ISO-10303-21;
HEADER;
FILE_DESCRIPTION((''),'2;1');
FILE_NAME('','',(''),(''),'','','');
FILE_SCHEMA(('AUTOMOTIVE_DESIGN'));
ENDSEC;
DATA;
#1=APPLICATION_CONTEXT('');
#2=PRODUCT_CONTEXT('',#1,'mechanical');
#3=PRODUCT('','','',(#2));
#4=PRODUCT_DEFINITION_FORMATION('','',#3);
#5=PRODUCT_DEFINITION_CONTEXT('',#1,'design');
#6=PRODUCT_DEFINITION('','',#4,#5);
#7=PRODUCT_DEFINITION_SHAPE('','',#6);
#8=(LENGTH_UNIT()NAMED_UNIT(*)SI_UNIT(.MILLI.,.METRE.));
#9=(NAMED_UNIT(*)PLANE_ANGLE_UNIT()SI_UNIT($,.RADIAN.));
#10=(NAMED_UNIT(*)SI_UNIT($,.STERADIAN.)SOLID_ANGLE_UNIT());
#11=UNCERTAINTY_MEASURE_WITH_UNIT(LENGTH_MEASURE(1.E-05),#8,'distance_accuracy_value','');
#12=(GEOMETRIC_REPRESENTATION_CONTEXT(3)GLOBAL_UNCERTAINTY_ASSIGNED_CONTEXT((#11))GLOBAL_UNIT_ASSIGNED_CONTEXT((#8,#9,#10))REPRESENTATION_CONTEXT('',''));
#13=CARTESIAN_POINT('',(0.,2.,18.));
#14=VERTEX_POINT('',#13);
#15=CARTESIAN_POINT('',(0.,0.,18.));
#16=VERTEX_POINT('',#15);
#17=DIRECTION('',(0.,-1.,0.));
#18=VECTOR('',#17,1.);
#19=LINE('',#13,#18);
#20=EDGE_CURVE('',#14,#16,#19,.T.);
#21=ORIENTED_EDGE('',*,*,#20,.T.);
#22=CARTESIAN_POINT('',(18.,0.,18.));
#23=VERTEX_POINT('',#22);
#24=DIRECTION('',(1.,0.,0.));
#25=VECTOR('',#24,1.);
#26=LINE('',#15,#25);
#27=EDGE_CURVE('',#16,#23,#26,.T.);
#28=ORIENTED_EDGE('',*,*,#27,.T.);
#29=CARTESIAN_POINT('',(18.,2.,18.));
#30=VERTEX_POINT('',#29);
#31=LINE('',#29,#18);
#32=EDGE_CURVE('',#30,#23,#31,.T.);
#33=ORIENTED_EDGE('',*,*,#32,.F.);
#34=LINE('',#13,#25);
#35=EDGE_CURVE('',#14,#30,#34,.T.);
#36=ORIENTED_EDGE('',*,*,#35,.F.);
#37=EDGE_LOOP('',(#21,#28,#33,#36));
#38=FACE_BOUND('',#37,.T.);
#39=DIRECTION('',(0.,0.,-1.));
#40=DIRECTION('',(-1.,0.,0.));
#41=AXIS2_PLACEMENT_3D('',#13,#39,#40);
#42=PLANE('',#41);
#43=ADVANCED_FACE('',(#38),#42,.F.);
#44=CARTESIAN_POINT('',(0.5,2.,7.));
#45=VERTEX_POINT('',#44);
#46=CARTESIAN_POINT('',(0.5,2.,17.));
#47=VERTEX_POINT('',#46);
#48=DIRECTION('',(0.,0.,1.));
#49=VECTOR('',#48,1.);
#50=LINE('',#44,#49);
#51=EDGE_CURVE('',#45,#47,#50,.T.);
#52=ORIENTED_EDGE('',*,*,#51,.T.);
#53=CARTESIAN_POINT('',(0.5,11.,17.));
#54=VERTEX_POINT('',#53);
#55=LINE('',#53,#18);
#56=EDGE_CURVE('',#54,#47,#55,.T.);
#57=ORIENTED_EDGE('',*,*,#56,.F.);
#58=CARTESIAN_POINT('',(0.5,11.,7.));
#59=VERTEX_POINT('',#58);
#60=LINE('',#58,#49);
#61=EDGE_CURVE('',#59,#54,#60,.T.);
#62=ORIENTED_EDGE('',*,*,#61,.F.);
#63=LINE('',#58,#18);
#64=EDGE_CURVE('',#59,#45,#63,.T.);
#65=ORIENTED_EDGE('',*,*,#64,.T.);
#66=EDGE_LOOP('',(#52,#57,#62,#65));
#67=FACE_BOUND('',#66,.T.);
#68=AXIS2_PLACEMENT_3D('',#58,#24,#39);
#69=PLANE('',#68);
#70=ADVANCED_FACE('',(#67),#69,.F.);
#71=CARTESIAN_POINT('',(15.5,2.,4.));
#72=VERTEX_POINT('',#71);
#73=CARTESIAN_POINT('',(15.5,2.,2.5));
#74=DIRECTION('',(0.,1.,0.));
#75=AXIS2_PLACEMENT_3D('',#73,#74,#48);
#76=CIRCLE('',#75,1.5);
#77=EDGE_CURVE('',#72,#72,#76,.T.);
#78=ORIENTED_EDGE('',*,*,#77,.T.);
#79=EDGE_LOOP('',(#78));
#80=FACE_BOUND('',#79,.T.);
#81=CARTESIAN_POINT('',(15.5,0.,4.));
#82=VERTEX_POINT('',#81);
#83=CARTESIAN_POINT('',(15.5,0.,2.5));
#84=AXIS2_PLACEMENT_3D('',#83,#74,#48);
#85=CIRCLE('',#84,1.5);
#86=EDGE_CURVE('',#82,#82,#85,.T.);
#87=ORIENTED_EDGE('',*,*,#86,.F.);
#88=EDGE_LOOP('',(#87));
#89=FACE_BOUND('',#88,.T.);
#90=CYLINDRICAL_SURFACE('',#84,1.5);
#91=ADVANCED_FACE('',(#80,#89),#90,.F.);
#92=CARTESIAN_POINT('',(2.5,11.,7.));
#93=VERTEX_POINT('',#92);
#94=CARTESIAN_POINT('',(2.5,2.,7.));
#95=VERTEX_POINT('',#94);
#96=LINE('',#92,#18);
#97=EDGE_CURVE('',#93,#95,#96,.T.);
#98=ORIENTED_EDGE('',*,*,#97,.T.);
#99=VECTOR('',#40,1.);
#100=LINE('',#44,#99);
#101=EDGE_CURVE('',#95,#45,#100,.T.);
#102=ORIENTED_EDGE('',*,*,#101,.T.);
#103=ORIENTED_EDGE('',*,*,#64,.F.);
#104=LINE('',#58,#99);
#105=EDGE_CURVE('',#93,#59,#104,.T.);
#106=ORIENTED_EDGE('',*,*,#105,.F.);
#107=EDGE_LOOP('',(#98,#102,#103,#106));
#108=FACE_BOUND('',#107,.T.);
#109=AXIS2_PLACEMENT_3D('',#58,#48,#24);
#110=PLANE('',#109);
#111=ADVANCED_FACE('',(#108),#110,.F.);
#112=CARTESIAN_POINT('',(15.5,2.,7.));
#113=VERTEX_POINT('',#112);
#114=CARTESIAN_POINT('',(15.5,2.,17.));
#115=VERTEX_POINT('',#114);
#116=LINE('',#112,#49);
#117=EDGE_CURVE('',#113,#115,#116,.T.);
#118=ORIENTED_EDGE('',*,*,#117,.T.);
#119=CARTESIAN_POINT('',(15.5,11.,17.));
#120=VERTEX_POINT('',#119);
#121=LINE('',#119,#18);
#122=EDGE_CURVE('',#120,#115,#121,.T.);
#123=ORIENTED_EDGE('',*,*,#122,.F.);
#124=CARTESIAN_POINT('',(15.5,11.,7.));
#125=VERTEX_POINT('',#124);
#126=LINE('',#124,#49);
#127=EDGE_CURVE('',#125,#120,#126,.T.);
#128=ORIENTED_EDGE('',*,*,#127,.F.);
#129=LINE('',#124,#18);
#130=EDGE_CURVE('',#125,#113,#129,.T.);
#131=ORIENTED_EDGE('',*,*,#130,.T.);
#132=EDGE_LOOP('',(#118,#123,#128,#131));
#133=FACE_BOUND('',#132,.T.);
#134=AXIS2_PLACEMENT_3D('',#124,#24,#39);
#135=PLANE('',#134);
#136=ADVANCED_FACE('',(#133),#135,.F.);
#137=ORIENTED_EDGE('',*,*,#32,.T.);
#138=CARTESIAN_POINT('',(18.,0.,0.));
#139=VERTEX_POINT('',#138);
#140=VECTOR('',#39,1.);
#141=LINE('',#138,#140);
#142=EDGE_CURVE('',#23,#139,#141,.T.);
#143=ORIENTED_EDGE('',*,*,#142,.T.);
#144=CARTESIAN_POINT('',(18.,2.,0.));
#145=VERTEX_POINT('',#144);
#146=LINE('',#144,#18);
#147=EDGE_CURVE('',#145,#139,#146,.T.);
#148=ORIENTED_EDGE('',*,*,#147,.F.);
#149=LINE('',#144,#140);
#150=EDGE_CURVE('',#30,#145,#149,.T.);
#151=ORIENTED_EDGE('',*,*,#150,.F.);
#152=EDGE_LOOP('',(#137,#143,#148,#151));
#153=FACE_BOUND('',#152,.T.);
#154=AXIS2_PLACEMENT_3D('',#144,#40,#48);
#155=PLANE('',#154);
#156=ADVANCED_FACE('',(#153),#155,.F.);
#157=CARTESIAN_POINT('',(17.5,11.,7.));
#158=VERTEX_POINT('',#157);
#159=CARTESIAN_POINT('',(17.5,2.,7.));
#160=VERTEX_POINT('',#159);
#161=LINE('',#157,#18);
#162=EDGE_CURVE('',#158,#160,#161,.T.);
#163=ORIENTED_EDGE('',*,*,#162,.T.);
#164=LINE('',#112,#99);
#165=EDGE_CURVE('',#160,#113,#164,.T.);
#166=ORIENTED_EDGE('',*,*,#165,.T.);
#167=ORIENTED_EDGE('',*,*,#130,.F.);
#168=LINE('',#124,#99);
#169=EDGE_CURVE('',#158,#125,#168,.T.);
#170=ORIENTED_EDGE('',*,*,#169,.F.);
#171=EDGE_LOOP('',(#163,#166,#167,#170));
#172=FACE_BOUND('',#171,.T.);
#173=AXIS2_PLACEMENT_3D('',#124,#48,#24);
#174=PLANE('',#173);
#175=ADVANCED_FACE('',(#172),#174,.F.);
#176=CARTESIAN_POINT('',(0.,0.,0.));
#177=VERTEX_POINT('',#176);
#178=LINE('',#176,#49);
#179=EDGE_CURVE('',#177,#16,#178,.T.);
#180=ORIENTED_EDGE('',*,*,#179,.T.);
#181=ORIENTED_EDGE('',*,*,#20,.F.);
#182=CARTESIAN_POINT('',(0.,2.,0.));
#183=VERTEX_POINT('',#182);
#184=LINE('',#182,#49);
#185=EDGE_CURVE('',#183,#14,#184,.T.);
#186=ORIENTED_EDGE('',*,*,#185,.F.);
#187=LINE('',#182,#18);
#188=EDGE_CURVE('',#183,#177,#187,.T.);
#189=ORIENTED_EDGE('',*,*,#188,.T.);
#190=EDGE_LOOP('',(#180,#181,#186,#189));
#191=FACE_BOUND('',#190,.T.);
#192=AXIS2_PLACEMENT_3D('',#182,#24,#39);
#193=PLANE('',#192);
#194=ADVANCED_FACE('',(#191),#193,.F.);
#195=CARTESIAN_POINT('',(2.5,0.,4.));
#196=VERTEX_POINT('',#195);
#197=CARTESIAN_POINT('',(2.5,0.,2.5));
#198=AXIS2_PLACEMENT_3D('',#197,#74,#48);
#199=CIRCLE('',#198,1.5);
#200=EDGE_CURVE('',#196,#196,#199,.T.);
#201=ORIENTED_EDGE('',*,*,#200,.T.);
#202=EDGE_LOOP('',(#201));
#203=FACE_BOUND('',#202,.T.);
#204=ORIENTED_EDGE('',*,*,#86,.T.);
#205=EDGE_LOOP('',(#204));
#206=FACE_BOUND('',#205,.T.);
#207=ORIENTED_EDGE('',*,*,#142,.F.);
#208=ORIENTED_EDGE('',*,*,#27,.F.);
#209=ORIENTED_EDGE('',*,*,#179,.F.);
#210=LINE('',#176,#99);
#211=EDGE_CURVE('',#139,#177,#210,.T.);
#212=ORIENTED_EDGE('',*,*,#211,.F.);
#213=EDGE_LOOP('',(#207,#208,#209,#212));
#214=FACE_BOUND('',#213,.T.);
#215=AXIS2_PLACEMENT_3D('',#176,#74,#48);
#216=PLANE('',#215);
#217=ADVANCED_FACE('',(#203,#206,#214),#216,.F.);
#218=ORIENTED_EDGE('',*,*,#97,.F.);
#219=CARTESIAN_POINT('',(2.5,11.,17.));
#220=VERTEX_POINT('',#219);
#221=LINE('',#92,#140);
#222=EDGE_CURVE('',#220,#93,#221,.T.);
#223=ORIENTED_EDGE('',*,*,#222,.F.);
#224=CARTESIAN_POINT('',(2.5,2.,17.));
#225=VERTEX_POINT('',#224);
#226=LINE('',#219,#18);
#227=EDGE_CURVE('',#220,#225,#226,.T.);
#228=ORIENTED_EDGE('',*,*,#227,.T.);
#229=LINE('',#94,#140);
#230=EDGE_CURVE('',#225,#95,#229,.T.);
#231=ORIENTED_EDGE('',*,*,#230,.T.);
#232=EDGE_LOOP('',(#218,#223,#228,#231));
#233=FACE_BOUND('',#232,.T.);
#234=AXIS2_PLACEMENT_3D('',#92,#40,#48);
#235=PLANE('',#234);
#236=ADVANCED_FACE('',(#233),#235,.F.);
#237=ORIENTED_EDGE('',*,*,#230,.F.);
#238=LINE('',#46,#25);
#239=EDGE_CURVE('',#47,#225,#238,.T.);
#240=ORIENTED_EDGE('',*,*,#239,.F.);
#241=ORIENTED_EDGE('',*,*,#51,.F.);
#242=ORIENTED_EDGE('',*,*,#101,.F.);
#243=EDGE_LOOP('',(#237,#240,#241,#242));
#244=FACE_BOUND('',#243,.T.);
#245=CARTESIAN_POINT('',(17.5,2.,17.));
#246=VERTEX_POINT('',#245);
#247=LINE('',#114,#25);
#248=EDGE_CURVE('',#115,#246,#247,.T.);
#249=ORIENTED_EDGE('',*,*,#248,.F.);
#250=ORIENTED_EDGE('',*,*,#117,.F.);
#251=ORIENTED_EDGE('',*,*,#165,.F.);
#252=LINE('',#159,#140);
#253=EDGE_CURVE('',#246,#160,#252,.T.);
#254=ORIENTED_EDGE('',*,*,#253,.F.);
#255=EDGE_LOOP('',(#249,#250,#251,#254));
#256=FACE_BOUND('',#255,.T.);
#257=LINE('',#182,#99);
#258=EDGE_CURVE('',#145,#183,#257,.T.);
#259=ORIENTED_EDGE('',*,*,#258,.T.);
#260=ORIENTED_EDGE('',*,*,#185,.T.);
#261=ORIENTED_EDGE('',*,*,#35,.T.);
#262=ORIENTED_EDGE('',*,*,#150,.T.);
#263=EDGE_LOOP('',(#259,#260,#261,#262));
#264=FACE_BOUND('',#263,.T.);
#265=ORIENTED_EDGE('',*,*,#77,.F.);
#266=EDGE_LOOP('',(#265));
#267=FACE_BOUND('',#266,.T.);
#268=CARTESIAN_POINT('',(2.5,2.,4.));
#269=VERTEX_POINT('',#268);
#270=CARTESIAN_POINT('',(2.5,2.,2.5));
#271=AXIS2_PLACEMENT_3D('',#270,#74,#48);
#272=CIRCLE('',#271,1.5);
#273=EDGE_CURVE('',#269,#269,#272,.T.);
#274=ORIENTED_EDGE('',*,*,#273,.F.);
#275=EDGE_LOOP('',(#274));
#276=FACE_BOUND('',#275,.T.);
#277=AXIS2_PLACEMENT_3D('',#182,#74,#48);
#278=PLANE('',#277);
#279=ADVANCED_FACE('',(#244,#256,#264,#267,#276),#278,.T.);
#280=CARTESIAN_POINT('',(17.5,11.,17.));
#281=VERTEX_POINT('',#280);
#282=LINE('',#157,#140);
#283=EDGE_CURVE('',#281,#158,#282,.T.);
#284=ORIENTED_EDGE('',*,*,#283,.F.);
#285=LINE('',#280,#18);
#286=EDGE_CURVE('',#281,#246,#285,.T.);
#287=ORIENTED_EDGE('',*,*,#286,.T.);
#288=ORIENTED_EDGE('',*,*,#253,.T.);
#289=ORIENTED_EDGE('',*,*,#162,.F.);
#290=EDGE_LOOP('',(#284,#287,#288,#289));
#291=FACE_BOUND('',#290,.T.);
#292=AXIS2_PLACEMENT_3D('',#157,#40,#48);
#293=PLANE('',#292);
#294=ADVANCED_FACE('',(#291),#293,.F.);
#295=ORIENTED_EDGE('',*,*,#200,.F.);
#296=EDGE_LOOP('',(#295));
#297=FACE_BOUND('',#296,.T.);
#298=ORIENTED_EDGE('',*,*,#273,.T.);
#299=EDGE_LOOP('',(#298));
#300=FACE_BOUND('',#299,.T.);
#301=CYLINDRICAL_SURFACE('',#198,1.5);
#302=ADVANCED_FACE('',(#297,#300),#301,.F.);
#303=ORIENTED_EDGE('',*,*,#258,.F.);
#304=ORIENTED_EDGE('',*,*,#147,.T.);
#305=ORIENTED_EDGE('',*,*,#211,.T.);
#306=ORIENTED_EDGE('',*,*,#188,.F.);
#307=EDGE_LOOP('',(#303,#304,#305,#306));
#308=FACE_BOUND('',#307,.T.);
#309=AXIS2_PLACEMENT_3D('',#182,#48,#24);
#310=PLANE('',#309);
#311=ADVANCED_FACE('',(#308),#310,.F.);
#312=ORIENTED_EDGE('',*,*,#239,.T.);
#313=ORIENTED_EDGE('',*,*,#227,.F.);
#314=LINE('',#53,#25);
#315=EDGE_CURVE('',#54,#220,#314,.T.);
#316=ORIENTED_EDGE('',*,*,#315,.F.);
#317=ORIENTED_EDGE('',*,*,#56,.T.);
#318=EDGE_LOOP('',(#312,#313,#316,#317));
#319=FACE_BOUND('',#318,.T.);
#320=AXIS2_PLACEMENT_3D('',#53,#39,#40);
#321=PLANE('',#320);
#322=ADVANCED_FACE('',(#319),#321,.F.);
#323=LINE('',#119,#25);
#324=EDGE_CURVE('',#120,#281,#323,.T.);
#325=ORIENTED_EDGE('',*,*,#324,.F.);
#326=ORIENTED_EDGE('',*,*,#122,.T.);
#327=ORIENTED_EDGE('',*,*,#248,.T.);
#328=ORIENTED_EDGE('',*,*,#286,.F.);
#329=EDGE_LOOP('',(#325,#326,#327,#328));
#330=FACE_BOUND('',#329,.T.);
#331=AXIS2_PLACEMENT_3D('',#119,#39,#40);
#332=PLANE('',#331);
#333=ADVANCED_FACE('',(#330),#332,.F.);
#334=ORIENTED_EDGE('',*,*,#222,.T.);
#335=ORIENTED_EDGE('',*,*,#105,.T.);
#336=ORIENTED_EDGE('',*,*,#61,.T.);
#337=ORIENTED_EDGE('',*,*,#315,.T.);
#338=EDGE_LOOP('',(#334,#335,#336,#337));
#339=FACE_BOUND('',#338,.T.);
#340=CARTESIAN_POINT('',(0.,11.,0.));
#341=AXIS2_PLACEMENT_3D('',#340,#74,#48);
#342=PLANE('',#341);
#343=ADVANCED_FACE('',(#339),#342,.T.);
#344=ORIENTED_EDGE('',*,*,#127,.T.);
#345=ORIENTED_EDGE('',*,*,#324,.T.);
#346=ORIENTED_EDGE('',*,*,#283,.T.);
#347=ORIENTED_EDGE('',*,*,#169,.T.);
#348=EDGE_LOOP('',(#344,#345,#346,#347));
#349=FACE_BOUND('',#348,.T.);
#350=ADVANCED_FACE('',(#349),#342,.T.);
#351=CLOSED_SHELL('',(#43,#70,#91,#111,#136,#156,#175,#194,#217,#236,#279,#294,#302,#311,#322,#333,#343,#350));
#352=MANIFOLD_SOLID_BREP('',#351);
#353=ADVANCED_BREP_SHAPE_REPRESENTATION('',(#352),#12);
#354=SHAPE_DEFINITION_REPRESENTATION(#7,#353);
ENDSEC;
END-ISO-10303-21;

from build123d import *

# Parameters (mm, degrees)
SKETCH1_W           = 18
SKETCH1_H           = 18
BOSS_EXTRUDE1_DEPTH = 2
SKETCH2_R           = 1.5
CUT_EXTRUDE1_DEPTH  = 2
SKETCH3_W           = 2
SKETCH3_H           = 10
BOSS_EXTRUDE2_DEPTH = 9


with BuildPart() as part:
    # Sketch1 → Boss-Extrude1 (new body)
    with BuildSketch(Plane(origin=(0, 0, 0), x_dir=(1, 0, 0), z_dir=(0, 1, 0))):
        with Locations((9, -9)):
            Rectangle(SKETCH1_W, SKETCH1_H)
    extrude(amount=BOSS_EXTRUDE1_DEPTH)

    # Sketch2 → Cut-Extrude1 (cut)
    with BuildSketch(Plane(origin=(0, 2, 0), x_dir=(1, 0, 0), z_dir=(0, 1, 0))):
        with Locations(Location((2.5, -2.5, 0), (0, 0, 270))):
            Circle(SKETCH2_R)
        with Locations(Location((15.5, -2.5, 0), (0, 0, 270))):
            Circle(SKETCH2_R)
    extrude(amount=-CUT_EXTRUDE1_DEPTH, mode=Mode.SUBTRACT)

    # Sketch3 → Boss-Extrude2 (add)
    with BuildSketch(Plane(origin=(0, 2, 0), x_dir=(1, 0, 0), z_dir=(0, 1, 0))):
        with Locations((1.5, -12)):
            Rectangle(SKETCH3_W, SKETCH3_H)
        with Locations((16.5, -12)):
            Rectangle(SKETCH3_W, SKETCH3_H)
    extrude(amount=BOSS_EXTRUDE2_DEPTH)


solid = part.part
